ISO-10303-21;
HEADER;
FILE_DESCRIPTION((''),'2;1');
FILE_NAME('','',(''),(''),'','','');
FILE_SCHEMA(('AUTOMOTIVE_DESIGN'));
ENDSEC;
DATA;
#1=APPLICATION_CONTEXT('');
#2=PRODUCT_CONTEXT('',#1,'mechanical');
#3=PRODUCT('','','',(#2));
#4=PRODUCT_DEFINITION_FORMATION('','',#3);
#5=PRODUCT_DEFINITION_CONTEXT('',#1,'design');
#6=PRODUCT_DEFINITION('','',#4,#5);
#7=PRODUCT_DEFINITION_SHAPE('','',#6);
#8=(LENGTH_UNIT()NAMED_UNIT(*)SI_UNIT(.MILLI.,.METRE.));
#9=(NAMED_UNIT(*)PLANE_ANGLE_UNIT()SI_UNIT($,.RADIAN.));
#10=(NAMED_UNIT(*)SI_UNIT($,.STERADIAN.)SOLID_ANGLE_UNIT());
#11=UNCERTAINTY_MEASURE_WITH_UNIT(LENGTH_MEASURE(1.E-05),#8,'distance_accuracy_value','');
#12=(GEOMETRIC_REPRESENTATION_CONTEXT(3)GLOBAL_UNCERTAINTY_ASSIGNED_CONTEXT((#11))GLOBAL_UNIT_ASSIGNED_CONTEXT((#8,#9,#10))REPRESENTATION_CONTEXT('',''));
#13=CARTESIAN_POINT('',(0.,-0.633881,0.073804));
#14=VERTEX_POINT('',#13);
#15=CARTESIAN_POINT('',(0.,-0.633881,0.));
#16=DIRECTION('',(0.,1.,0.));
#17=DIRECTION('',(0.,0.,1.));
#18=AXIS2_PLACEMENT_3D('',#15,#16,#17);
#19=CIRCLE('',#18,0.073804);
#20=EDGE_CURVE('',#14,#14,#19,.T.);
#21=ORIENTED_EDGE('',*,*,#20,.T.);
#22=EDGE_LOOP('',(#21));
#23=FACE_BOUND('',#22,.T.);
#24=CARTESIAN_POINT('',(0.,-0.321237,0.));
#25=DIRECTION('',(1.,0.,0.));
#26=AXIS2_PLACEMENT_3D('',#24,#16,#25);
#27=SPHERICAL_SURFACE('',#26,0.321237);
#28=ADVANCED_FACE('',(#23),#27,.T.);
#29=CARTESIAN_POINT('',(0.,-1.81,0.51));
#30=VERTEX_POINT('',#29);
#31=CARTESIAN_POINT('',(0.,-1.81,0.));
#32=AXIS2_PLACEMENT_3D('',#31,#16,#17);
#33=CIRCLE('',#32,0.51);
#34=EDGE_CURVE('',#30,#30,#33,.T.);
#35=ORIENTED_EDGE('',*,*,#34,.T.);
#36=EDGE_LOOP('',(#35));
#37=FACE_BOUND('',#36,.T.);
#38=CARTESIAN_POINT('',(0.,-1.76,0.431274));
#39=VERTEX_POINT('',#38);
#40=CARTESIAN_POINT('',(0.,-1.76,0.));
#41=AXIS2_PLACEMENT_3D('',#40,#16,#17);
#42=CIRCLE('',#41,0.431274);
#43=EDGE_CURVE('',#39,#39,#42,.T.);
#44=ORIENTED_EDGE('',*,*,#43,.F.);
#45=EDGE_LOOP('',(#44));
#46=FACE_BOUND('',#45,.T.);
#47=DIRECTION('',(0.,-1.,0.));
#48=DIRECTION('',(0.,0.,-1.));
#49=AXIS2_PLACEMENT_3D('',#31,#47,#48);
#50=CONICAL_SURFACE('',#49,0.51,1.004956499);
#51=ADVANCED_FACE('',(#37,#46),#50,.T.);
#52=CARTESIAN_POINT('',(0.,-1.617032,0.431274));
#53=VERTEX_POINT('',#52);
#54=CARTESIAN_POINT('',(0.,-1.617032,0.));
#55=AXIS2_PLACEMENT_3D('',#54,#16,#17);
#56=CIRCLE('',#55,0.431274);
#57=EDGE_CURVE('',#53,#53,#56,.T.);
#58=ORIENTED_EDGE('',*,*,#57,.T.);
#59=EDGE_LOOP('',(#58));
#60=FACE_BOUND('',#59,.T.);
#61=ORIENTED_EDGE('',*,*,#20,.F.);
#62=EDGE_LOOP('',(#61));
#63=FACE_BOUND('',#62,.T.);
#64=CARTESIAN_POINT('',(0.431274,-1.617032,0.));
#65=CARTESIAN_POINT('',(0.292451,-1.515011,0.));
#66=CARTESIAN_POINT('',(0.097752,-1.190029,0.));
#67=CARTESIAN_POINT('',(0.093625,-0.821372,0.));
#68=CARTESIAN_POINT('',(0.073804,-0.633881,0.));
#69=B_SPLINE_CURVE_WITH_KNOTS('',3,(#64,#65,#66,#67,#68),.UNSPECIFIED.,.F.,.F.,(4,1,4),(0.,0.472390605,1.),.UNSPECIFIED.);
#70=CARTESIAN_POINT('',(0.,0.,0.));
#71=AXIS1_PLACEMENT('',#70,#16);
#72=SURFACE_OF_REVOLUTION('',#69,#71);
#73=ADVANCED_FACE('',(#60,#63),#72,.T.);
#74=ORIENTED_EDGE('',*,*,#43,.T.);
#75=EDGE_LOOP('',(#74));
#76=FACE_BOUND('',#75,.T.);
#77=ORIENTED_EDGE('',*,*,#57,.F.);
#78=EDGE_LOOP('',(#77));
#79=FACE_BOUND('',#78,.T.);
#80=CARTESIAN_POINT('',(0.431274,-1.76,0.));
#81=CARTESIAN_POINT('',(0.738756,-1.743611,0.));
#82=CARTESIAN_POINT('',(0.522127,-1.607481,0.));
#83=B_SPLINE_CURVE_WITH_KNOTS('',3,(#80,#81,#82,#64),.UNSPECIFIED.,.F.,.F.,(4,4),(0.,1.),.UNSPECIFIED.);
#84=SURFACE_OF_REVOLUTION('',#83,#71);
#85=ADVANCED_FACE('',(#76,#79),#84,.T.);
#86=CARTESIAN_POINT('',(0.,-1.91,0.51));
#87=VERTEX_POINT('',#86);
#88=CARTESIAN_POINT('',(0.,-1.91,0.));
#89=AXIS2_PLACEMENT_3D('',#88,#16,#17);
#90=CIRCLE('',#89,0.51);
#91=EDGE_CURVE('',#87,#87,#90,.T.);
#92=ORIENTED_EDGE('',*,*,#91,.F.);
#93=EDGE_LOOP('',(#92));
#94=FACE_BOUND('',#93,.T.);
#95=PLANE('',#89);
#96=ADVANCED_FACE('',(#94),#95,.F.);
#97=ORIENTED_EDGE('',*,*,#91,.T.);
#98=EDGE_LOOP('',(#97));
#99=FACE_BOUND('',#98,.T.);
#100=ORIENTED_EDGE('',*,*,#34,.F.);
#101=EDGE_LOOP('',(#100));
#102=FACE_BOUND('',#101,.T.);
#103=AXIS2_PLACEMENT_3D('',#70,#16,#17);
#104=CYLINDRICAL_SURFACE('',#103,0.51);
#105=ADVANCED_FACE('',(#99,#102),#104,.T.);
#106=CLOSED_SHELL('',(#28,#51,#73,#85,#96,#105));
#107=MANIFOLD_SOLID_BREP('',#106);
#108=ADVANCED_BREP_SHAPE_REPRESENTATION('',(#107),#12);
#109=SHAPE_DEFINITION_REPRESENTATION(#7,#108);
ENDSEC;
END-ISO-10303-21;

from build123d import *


with BuildPart() as part:
    # Sketch1 → Revolve1 (revolve)
    with BuildSketch(Plane.XY, mode=Mode.PRIVATE) as revolve1_sk:
        with BuildLine():
            Line((0, 0), (0, -1.91))
            Line((0, -1.91), (0.51, -1.91))
            Line((0.51, -1.91), (0.51, -1.81))
            Line((0.51, -1.81), (0.431274074, -1.76))
            add(Edge.make_bspline(
                [(0.431274074, -1.76), (0.73875564, -1.743611087), (0.52212669, -1.607481355), (0.431274074, -1.617032208)],
                knots=[0, 0, 0, 0, 1, 1, 1, 1], degree=3))
            add(Edge.make_bspline(
                [(0.431274074, -1.617032208), (0.29245141, -1.515010547), (0.097752272, -1.190028804), (0.093625058, -0.821372263), (0.073803642, -0.633881308)],
                knots=[0, 0, 0, 0, 0.472390605, 1, 1, 1, 1], degree=3))
            ThreePointArc((0.073803642, -0.633881308), (0.319081686, -0.284086078), (0, 0))
        make_face()
    revolve(revolve1_sk.sketch.rotate(Axis((0, 0, 0), (0, -1, 0)), 90), axis=Axis((0, 0, 0), (0, -1, 0)))


solid = part.part
